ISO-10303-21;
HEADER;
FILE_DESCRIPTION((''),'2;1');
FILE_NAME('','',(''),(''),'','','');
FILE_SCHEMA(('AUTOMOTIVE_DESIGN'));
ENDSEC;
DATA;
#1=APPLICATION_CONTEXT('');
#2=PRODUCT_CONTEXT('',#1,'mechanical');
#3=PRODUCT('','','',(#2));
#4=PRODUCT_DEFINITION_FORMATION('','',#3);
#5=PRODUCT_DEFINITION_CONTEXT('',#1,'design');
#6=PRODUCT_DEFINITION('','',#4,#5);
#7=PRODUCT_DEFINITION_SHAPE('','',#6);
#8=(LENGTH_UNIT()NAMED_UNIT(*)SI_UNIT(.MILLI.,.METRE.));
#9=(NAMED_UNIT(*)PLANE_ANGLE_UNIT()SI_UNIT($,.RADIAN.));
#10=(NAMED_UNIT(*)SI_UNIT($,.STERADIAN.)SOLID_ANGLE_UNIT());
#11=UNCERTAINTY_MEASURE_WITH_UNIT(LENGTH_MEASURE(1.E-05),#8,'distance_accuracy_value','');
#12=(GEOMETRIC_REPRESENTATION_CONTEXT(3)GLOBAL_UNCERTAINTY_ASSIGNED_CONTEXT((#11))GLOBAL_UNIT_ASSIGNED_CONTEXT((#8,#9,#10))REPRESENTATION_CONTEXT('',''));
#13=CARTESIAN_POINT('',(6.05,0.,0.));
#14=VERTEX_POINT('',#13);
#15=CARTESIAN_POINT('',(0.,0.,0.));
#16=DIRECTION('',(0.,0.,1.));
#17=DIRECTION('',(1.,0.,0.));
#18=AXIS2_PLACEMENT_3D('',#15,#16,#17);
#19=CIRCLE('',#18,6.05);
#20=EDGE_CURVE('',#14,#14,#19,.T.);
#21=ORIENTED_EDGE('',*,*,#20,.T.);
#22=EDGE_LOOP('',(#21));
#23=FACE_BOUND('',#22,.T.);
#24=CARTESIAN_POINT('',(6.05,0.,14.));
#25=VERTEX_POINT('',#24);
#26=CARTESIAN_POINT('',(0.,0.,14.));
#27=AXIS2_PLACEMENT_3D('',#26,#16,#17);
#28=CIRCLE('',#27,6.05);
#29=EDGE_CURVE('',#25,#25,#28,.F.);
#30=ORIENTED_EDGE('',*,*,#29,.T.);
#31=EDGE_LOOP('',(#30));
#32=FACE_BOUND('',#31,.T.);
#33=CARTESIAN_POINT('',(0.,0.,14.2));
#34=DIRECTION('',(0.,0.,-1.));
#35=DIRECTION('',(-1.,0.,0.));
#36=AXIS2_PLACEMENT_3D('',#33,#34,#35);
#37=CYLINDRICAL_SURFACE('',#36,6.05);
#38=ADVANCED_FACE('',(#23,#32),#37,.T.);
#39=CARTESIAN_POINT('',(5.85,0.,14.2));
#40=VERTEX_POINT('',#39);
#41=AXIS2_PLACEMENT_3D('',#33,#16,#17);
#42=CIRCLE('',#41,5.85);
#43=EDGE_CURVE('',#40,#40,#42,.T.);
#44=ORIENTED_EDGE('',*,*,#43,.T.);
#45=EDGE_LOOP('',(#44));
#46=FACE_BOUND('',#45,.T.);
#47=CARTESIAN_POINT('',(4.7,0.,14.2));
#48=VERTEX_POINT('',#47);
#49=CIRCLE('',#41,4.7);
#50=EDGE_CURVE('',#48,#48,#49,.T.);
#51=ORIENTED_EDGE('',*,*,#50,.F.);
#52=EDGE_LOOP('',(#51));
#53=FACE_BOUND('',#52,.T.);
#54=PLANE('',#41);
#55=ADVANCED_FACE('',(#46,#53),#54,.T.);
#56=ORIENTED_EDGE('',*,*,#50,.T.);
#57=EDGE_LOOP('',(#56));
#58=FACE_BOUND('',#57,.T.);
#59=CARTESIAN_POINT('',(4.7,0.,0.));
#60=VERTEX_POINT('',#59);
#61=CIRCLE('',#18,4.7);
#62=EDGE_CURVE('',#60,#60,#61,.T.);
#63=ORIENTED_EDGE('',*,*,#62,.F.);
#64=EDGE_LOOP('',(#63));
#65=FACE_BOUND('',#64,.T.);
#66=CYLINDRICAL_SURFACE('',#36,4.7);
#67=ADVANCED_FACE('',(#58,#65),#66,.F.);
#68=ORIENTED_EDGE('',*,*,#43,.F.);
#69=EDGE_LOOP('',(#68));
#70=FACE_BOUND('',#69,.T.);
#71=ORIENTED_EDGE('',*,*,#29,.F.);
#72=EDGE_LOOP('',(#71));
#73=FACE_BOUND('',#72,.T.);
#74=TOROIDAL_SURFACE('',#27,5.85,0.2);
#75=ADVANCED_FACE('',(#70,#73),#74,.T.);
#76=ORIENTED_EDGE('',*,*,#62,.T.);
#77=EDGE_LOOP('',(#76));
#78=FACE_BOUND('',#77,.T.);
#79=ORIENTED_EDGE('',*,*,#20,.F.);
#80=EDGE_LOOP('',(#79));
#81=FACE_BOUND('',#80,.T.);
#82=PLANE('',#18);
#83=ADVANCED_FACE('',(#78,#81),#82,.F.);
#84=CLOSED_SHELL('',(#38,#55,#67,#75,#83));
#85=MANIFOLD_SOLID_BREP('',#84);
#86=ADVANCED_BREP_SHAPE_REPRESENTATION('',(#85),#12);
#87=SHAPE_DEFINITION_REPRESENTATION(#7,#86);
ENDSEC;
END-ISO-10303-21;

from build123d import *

# Parameters (mm, degrees)
CROQUIS1_R              = 6.05
CROQUIS1_R_2            = 4.7
SALIENTE_EXTRUIR1_DEPTH = 14.2
REDONDEO1_R             = 0.2


with BuildPart() as part:
    # Croquis1 → Saliente-Extruir1 (new body)
    with BuildSketch(Plane.XY):
        Circle(CROQUIS1_R)
        Circle(CROQUIS1_R_2, mode=Mode.SUBTRACT)
    extrude(amount=SALIENTE_EXTRUIR1_DEPTH)

    # Redondeo1
    redondeo1_edges = [part.edges().sort_by_distance(p)[0] for p in [
        (-6.05, 0, 14.2),
    ]]
    fillet(redondeo1_edges, radius=REDONDEO1_R)


solid = part.part
